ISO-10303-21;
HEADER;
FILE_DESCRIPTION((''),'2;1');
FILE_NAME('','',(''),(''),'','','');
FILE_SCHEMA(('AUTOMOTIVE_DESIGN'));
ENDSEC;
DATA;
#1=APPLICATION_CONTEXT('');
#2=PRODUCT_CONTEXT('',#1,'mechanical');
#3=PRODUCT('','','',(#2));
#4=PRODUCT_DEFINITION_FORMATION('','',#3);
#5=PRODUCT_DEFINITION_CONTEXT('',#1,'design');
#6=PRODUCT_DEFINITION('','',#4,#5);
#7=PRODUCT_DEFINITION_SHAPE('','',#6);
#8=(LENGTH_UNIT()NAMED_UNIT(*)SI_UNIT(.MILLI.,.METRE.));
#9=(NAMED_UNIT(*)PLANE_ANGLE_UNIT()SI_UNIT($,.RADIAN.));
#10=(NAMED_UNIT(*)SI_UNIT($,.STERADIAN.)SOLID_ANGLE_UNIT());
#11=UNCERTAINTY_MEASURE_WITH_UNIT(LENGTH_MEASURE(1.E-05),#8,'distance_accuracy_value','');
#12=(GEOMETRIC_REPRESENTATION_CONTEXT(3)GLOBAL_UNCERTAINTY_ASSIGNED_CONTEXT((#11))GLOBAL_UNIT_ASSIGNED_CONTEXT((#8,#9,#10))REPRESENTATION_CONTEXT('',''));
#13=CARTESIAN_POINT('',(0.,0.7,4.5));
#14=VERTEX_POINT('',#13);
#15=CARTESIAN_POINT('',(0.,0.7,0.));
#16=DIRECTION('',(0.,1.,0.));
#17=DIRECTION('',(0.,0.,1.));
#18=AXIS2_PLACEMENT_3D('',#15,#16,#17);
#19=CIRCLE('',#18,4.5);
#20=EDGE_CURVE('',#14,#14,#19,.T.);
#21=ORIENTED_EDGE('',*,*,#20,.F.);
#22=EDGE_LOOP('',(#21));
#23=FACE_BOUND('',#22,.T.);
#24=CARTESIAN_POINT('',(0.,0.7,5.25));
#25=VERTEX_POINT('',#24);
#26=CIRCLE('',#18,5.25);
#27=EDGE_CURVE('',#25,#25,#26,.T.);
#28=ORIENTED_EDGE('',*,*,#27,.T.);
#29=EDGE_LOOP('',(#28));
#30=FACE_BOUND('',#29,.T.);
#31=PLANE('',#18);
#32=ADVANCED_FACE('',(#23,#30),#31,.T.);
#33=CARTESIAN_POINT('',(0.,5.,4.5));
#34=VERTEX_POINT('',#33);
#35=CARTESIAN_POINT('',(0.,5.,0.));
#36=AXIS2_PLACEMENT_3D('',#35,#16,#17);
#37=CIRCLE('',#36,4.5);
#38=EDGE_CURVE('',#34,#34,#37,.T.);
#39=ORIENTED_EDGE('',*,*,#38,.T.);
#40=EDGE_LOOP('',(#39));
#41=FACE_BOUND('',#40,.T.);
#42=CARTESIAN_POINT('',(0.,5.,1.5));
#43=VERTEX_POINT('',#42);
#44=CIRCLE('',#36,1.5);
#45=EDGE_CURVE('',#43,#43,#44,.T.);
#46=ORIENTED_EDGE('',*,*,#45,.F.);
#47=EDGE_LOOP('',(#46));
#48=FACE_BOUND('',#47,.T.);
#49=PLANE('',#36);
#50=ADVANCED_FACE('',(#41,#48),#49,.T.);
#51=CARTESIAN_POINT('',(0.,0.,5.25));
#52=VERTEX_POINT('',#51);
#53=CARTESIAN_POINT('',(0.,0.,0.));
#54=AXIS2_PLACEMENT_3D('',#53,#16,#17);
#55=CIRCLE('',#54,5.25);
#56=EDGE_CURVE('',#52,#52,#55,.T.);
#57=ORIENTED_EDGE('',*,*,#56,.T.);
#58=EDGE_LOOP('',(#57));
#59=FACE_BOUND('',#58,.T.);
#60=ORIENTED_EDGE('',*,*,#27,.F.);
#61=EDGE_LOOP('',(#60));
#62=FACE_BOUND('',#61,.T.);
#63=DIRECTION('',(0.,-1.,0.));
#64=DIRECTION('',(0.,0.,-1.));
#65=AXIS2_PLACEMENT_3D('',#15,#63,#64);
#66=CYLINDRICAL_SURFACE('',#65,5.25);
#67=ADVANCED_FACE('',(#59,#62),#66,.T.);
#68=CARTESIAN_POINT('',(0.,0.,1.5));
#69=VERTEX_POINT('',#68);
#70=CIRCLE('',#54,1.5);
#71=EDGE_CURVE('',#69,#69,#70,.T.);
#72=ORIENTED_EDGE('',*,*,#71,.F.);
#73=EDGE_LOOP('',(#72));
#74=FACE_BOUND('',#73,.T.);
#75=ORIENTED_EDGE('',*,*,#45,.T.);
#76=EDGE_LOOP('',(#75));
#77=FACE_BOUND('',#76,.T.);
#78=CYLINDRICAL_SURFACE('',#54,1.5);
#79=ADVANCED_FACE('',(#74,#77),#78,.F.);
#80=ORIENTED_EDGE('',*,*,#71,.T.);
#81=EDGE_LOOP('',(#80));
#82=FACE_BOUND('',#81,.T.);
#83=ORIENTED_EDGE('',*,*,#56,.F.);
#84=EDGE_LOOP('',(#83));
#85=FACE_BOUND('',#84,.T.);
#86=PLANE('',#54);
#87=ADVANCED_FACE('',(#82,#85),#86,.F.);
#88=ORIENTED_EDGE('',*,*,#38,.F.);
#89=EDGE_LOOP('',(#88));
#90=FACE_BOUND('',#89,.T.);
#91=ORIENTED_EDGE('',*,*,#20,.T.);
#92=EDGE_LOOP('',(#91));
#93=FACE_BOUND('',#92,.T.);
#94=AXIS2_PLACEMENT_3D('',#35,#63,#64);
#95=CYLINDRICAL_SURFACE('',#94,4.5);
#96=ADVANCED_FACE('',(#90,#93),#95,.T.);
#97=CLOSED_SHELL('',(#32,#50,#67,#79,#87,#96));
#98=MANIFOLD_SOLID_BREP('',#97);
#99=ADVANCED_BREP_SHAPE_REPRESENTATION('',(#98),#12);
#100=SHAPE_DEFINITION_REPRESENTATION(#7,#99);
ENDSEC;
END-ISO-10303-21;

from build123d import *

# Parameters (mm, degrees)
SKETCH_1_R          = 5.25
EXTRUDE_1_DEPTH     = 0.7
SKETCH_2_R          = 4.5
EXTRUDE_2_DEPTH     = 4.3
SKETCH_3_R          = 1.5
CUT_EXTRUDE_1_DEPTH = 6


with BuildPart() as part:
    # 草图1 → 凸台-拉伸1 (new body)
    with BuildSketch(Plane(origin=(0, 0, 0), x_dir=(1, 0, 0), z_dir=(0, 1, 0))):
        Circle(SKETCH_1_R)
    extrude(amount=EXTRUDE_1_DEPTH)

    # 草图2 → 凸台-拉伸2 (add)
    with BuildSketch(Plane(origin=(0, 0.7, 0), x_dir=(1, 0, 0), z_dir=(0, 1, 0))):
        Circle(SKETCH_2_R)
    extrude(amount=EXTRUDE_2_DEPTH)

    # 草图3 → 切除-拉伸1 (cut, through all)
    with BuildSketch(Plane(origin=(0, 5, 0), x_dir=(1, 0, 0), z_dir=(0, 1, 0))):
        Circle(SKETCH_3_R)
    extrude(amount=-CUT_EXTRUDE_1_DEPTH, mode=Mode.SUBTRACT)


solid = part.part
